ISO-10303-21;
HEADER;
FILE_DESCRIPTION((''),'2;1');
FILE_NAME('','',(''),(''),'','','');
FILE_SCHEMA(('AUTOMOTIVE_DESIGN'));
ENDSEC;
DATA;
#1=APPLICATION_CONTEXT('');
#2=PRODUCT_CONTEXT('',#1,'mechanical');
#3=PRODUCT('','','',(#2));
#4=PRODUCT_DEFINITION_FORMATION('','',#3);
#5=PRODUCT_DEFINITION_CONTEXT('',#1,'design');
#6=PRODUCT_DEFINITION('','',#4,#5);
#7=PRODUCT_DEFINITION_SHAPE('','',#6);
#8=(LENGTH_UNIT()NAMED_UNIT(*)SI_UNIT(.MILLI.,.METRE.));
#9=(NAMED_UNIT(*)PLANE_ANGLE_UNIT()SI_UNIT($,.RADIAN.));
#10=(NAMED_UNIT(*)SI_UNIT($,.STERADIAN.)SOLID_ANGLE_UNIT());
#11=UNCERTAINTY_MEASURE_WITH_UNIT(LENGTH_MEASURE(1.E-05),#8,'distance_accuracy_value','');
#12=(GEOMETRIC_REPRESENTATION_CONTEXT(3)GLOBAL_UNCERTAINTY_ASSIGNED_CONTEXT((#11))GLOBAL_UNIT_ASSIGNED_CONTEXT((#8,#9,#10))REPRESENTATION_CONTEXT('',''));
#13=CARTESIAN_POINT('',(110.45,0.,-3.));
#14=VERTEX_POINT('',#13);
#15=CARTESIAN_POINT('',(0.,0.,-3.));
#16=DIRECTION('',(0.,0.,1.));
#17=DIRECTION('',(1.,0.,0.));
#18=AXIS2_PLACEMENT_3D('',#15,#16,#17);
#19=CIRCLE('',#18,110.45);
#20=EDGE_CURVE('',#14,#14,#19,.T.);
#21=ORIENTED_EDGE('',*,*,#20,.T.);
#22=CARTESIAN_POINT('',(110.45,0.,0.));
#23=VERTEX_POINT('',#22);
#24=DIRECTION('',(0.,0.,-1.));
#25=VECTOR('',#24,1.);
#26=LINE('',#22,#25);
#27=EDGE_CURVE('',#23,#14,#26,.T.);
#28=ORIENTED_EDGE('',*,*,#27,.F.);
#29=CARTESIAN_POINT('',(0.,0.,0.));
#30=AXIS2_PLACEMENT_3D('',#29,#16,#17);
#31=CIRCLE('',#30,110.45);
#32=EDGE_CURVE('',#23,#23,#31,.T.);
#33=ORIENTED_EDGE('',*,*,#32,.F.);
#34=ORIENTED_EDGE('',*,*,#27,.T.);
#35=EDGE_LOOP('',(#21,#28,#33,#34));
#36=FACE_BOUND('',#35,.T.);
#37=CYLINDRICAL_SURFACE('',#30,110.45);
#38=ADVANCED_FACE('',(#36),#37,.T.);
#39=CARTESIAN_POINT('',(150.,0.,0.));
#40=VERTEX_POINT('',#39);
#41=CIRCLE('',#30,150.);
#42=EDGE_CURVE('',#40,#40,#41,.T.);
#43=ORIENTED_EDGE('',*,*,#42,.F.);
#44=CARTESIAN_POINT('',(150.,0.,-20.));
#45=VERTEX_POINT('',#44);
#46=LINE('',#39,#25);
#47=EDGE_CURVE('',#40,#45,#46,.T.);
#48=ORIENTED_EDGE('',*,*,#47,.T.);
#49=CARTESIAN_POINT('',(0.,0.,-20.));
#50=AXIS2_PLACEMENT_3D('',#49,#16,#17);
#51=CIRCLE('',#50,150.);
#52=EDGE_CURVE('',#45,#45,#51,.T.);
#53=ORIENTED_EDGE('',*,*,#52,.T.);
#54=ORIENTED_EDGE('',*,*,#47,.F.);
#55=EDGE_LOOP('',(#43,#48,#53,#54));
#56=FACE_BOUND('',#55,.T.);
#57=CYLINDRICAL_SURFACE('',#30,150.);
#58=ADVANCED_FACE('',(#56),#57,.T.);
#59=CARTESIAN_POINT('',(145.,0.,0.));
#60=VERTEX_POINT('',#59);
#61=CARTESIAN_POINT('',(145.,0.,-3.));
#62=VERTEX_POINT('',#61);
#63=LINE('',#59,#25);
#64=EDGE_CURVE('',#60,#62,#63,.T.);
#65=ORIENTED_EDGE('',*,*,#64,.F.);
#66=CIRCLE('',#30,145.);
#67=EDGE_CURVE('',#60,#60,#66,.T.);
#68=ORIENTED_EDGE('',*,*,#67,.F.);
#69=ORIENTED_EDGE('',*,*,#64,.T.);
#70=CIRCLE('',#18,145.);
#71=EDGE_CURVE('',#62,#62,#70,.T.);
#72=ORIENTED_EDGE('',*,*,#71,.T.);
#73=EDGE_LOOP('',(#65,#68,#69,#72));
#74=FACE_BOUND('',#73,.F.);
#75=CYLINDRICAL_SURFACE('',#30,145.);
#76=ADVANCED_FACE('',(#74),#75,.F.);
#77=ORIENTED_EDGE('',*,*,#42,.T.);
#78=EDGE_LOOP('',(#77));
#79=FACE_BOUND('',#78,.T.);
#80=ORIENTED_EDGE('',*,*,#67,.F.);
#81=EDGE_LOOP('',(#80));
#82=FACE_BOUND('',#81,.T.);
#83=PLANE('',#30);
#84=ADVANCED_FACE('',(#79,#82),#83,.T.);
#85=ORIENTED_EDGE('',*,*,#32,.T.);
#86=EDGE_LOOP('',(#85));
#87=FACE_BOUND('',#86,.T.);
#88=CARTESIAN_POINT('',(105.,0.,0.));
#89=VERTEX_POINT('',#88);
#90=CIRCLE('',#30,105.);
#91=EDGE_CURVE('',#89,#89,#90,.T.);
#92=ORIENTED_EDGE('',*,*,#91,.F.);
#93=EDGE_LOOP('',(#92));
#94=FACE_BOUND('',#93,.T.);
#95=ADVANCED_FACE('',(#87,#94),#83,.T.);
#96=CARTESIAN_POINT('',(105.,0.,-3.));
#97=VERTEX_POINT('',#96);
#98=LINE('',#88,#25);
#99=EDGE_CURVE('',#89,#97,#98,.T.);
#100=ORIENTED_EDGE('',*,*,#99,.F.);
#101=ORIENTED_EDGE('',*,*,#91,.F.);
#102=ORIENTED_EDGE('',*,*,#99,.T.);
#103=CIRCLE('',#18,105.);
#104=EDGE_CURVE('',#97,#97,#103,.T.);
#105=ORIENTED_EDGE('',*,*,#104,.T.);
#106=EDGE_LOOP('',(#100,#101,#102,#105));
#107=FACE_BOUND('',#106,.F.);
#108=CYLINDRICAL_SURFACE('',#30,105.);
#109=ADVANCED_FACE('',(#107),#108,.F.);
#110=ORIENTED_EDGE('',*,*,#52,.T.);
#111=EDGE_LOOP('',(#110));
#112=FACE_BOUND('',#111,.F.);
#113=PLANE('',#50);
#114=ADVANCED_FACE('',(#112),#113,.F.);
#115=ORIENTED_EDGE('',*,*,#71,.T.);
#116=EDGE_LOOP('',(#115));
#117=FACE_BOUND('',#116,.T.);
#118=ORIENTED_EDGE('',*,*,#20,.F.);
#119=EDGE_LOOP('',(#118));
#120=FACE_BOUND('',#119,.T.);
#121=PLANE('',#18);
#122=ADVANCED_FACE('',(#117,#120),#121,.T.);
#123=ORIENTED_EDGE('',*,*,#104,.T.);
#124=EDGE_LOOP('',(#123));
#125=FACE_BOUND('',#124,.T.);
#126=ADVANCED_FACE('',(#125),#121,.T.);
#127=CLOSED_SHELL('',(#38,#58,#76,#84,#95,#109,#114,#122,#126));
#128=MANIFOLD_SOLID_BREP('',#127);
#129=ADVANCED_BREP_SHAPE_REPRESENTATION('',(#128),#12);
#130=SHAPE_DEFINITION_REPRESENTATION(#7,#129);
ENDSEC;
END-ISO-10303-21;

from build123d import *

# Parameters (mm, degrees)
SKETCH_R        = 150
PAD_DEPTH       = 20
SKETCH001_R     = 145
SKETCH001_R_2   = 110.45
POCKET_DEPTH    = 3
SKETCH002_R     = 105
POCKET001_DEPTH = 3


with BuildPart() as part:
    # Sketch → Pad (new body)
    with BuildSketch(Plane.XY):
        Circle(SKETCH_R)
    extrude(amount=-PAD_DEPTH)

    # Sketch001 → Pocket (cut)
    with BuildSketch(Plane.XY):
        Circle(SKETCH001_R)
        Circle(SKETCH001_R_2, mode=Mode.SUBTRACT)
    extrude(amount=-POCKET_DEPTH, mode=Mode.SUBTRACT)

    # Sketch002 → Pocket001 (cut)
    with BuildSketch(Plane.XY):
        Circle(SKETCH002_R)
    extrude(amount=-POCKET001_DEPTH, mode=Mode.SUBTRACT)


solid = part.part
